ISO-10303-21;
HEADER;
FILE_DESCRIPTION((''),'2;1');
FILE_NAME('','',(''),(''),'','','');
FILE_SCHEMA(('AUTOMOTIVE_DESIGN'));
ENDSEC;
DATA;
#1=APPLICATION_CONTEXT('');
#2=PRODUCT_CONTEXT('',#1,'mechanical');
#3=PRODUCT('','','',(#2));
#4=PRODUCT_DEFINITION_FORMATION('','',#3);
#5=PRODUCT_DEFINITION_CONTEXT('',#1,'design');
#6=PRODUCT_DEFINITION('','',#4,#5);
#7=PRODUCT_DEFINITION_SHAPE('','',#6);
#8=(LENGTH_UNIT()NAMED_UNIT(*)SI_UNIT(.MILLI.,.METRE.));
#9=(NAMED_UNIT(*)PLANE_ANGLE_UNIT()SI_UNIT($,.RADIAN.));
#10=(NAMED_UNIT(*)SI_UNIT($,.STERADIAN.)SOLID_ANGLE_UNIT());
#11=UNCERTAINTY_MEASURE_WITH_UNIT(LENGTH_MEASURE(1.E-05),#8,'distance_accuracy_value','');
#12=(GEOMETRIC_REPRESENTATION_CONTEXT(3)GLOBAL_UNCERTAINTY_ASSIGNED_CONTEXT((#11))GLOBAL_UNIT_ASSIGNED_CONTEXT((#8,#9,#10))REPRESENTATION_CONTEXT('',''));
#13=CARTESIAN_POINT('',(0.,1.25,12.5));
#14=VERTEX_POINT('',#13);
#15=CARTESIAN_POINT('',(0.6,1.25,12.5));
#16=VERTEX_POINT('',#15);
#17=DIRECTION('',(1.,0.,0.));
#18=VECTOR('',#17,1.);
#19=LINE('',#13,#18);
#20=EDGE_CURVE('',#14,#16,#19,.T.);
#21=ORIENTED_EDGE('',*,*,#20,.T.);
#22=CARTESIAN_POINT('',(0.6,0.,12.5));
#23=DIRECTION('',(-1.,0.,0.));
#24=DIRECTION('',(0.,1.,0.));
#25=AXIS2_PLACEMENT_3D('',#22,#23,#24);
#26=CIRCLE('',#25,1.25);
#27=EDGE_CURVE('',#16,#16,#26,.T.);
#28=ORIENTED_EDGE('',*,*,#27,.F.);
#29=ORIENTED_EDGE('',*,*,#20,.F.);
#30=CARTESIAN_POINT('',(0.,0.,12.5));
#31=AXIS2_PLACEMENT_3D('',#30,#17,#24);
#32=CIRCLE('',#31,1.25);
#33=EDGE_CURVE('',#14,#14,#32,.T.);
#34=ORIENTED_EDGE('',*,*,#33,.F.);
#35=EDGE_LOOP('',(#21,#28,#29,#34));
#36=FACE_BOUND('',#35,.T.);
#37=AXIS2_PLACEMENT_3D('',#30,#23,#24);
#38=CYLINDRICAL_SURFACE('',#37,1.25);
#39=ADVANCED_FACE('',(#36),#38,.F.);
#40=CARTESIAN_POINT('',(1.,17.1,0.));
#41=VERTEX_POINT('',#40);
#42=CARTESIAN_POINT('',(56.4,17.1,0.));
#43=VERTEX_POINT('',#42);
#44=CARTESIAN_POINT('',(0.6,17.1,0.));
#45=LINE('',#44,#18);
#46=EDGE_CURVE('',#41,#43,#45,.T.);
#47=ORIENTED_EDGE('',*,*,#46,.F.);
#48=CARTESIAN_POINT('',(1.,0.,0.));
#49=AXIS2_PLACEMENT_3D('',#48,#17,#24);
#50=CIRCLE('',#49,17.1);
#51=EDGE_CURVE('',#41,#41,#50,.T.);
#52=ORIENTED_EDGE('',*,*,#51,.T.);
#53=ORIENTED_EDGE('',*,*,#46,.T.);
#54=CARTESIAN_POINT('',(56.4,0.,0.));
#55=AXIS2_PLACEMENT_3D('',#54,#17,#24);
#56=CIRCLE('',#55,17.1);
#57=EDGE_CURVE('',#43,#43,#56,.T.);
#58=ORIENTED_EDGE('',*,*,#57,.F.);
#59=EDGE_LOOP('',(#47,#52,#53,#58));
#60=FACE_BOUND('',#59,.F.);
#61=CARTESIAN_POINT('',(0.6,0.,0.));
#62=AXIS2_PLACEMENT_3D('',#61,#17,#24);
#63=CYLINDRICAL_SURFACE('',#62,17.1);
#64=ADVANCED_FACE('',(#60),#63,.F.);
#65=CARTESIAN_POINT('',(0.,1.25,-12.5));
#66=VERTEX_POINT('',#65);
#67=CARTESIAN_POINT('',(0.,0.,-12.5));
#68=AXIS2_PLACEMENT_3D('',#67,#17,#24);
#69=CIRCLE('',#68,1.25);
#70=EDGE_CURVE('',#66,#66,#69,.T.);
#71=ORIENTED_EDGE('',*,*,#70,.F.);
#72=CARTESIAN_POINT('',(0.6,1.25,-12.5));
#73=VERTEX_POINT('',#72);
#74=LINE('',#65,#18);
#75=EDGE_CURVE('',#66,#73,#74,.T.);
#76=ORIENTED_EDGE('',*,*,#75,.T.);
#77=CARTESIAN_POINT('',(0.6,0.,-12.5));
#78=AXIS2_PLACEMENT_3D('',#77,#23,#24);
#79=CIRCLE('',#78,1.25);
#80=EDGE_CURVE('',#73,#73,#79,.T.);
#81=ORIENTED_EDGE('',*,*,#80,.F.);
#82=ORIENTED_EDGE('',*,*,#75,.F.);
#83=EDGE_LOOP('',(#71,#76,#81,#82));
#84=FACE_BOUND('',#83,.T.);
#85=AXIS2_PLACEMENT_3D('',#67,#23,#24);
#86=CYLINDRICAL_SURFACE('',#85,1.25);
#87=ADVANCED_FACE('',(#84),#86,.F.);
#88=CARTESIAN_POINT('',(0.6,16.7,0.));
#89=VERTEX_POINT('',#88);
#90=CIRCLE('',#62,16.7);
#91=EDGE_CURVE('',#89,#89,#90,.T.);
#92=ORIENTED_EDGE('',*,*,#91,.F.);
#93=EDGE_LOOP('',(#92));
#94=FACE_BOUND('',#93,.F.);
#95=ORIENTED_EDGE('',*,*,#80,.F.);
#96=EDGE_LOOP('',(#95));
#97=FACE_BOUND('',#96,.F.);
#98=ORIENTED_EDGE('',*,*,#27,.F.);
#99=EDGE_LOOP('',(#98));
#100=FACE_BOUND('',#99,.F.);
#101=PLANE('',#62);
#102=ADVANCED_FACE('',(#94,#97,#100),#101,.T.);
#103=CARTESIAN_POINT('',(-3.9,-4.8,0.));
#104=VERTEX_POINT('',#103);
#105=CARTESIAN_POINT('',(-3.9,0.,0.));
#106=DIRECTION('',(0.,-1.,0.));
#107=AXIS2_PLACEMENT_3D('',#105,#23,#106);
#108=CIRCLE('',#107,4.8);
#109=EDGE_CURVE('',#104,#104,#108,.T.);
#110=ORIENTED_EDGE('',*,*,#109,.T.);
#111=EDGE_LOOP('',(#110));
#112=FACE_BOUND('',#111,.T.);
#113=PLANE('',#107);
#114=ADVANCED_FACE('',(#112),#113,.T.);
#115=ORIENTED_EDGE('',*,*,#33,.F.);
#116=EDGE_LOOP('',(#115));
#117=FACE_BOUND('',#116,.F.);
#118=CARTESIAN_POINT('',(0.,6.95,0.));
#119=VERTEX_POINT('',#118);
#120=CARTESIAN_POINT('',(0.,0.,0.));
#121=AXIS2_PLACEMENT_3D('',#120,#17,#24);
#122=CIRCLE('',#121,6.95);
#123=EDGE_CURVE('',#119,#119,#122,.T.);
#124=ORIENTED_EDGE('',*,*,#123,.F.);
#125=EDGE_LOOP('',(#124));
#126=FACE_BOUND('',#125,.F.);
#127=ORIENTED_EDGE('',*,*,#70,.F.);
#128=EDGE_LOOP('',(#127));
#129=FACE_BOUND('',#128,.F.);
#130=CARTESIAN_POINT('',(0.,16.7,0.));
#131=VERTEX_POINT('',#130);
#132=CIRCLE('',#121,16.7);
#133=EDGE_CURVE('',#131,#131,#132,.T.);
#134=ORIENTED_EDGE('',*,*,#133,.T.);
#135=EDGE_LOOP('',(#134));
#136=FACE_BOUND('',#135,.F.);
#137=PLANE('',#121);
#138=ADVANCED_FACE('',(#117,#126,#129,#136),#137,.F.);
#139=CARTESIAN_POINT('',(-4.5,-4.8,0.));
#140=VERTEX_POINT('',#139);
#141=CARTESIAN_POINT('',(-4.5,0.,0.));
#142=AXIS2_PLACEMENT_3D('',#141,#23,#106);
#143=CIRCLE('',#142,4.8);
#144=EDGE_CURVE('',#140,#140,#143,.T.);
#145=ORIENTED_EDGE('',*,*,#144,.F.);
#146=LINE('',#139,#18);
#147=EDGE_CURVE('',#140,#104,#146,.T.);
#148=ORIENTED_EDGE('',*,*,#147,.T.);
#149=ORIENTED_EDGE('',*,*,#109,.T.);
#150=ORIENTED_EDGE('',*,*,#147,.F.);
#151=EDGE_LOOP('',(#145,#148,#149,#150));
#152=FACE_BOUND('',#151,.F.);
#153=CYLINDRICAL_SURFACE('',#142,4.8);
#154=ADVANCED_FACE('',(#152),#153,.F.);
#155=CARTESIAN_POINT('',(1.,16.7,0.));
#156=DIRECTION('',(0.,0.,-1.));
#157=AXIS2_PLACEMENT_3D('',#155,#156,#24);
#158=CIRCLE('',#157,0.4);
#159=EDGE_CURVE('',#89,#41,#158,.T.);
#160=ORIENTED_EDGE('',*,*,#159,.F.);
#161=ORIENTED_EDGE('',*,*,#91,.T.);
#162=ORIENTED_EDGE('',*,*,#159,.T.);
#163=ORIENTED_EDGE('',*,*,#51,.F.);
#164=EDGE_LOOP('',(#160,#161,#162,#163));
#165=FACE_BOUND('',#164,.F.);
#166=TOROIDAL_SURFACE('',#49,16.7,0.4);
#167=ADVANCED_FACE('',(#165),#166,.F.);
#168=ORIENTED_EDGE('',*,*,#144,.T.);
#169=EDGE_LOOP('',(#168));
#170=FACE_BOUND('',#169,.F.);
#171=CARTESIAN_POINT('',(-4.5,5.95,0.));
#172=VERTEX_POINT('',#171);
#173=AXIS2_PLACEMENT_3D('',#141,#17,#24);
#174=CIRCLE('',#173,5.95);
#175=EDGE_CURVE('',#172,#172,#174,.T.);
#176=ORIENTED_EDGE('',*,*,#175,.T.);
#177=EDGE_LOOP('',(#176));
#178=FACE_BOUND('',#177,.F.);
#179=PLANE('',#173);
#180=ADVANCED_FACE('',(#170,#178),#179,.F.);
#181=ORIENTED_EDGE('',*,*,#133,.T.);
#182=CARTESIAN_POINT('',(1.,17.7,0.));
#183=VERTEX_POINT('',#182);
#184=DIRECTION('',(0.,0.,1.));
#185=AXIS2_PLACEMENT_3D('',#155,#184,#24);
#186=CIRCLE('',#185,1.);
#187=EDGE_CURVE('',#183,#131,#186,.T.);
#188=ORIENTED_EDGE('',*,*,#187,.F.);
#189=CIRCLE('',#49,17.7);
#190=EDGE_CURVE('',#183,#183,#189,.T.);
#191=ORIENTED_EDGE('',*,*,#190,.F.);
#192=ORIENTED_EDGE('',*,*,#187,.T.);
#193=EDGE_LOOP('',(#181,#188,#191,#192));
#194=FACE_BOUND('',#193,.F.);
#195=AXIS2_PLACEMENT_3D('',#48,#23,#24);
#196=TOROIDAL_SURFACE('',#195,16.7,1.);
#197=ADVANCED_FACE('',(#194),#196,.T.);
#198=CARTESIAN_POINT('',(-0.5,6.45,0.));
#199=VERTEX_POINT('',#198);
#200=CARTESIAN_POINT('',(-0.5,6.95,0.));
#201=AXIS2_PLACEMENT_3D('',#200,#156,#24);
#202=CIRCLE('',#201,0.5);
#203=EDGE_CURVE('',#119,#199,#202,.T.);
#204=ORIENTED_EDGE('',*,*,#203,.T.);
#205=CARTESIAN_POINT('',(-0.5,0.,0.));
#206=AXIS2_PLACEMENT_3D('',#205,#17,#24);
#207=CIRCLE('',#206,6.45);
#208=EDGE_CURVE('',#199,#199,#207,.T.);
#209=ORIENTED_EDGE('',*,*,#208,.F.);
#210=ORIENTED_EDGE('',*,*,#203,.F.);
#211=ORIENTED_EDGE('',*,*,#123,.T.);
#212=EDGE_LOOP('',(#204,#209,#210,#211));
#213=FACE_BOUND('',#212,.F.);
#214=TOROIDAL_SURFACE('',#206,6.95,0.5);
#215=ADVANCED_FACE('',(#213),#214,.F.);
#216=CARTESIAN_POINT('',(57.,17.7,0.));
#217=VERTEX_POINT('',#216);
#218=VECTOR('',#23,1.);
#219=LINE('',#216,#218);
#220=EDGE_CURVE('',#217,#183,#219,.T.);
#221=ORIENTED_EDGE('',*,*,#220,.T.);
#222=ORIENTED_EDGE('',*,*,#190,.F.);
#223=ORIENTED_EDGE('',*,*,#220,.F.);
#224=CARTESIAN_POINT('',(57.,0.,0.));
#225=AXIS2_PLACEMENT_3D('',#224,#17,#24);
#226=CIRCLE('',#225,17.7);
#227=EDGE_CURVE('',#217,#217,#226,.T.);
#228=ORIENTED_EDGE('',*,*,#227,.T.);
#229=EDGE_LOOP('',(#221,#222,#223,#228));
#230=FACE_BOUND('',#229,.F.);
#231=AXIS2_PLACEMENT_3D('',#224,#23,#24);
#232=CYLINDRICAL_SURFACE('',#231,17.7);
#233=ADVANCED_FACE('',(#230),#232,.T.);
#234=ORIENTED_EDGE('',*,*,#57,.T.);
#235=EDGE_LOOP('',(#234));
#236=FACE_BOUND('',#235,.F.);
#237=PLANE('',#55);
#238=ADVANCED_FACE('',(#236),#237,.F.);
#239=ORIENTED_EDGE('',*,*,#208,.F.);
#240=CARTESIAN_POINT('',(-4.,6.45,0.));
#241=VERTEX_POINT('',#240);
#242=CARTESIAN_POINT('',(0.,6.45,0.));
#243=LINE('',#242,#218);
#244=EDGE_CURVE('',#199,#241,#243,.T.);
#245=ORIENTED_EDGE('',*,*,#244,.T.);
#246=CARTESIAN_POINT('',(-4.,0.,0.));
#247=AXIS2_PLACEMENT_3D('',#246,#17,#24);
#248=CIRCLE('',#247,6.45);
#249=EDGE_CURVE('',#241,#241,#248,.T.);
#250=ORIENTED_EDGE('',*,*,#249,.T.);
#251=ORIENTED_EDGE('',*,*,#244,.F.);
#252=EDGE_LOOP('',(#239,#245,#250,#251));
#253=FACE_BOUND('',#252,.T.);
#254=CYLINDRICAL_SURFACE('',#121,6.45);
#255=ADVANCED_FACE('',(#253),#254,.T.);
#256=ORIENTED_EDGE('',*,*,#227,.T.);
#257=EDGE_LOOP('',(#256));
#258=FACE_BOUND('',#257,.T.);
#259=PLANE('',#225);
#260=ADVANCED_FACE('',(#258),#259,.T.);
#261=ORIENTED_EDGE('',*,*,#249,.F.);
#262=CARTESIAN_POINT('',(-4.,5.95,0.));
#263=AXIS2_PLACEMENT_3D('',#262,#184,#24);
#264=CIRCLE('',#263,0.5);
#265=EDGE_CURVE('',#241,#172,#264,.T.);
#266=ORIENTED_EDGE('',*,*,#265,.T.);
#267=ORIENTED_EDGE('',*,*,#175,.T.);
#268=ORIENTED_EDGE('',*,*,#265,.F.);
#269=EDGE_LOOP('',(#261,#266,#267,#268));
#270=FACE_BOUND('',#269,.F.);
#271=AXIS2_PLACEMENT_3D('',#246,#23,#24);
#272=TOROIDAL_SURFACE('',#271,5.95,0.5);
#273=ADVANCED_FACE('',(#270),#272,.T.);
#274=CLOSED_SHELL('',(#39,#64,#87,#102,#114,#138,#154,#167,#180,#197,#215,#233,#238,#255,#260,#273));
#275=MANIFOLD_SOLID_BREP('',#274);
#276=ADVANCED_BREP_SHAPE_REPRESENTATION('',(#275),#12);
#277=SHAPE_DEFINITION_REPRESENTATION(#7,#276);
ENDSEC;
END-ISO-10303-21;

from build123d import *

# Parameters (mm, degrees)
F0_W      = 0.6
F0_H      = 17.1
F2_R      = 0.4
F3_R      = 1
F4_R      = 6.45
F5_DEPTH  = 4.5
F6_R      = 0.5
F7_R      = 4.8
F8_DEPTH  = 0.6
F4_R_2    = 1.25
F9_DEPTH  = 25
F10_R     = 17.1
F11_DEPTH = 0.6


with BuildPart() as f1:
    # F0 (on Top) → F1 (revolve)
    with BuildSketch(Plane.XY):
        with Locations((0.3, 8.55)):
            Rectangle(F0_W, F0_H)
        Polygon((0, 17.7), (0, 17.1), (0.6, 17.1), (57, 17.1), (57, 17.7), align=None)
    revolve(axis=Axis((0.3, 0, 0), (1, 0, 0)))

    # F2
    f2_edges = [f1.edges().sort_by_distance(p)[0] for p in [
        (0.6, -17.1, 0),
    ]]
    fillet(f2_edges, radius=F2_R)

    # F3
    f3_edges = [f1.edges().sort_by_distance(p)[0] for p in [
        (0, -17.7, 0),
    ]]
    fillet(f3_edges, radius=F3_R)

    # F4 (on Right) → F5 (join)
    with BuildSketch(Plane.YZ):
        Circle(F4_R)
    extrude(amount=-F5_DEPTH)

    # F6
    f6_edges = [f1.edges().sort_by_distance(p)[0] for p in [
        (0, -6.45, 0),
        (-4.5, -6.45, 0),
    ]]
    fillet(f6_edges, radius=F6_R)

    # F7 (on face) → F8 (cut)
    with BuildSketch(Plane(origin=(-4.5, 0, 0), x_dir=(0, -1, 0), z_dir=(-1, 0, 0))):
        Circle(F7_R)
    extrude(amount=-F8_DEPTH, mode=Mode.SUBTRACT)

    # F4 (on Right) → F9 (cut)
    with BuildSketch(Plane.YZ):
        with Locations((0, -12.5)):
            Circle(F4_R_2)
        with Locations((0, 12.5)):
            Circle(F4_R_2)
    extrude(amount=F9_DEPTH, mode=Mode.SUBTRACT)

    # F10 (on face) → F11 (join)
    with BuildSketch(Plane.YZ.offset(57)):
        Circle(F10_R)
    extrude(amount=-F11_DEPTH)


solid = f1.part
